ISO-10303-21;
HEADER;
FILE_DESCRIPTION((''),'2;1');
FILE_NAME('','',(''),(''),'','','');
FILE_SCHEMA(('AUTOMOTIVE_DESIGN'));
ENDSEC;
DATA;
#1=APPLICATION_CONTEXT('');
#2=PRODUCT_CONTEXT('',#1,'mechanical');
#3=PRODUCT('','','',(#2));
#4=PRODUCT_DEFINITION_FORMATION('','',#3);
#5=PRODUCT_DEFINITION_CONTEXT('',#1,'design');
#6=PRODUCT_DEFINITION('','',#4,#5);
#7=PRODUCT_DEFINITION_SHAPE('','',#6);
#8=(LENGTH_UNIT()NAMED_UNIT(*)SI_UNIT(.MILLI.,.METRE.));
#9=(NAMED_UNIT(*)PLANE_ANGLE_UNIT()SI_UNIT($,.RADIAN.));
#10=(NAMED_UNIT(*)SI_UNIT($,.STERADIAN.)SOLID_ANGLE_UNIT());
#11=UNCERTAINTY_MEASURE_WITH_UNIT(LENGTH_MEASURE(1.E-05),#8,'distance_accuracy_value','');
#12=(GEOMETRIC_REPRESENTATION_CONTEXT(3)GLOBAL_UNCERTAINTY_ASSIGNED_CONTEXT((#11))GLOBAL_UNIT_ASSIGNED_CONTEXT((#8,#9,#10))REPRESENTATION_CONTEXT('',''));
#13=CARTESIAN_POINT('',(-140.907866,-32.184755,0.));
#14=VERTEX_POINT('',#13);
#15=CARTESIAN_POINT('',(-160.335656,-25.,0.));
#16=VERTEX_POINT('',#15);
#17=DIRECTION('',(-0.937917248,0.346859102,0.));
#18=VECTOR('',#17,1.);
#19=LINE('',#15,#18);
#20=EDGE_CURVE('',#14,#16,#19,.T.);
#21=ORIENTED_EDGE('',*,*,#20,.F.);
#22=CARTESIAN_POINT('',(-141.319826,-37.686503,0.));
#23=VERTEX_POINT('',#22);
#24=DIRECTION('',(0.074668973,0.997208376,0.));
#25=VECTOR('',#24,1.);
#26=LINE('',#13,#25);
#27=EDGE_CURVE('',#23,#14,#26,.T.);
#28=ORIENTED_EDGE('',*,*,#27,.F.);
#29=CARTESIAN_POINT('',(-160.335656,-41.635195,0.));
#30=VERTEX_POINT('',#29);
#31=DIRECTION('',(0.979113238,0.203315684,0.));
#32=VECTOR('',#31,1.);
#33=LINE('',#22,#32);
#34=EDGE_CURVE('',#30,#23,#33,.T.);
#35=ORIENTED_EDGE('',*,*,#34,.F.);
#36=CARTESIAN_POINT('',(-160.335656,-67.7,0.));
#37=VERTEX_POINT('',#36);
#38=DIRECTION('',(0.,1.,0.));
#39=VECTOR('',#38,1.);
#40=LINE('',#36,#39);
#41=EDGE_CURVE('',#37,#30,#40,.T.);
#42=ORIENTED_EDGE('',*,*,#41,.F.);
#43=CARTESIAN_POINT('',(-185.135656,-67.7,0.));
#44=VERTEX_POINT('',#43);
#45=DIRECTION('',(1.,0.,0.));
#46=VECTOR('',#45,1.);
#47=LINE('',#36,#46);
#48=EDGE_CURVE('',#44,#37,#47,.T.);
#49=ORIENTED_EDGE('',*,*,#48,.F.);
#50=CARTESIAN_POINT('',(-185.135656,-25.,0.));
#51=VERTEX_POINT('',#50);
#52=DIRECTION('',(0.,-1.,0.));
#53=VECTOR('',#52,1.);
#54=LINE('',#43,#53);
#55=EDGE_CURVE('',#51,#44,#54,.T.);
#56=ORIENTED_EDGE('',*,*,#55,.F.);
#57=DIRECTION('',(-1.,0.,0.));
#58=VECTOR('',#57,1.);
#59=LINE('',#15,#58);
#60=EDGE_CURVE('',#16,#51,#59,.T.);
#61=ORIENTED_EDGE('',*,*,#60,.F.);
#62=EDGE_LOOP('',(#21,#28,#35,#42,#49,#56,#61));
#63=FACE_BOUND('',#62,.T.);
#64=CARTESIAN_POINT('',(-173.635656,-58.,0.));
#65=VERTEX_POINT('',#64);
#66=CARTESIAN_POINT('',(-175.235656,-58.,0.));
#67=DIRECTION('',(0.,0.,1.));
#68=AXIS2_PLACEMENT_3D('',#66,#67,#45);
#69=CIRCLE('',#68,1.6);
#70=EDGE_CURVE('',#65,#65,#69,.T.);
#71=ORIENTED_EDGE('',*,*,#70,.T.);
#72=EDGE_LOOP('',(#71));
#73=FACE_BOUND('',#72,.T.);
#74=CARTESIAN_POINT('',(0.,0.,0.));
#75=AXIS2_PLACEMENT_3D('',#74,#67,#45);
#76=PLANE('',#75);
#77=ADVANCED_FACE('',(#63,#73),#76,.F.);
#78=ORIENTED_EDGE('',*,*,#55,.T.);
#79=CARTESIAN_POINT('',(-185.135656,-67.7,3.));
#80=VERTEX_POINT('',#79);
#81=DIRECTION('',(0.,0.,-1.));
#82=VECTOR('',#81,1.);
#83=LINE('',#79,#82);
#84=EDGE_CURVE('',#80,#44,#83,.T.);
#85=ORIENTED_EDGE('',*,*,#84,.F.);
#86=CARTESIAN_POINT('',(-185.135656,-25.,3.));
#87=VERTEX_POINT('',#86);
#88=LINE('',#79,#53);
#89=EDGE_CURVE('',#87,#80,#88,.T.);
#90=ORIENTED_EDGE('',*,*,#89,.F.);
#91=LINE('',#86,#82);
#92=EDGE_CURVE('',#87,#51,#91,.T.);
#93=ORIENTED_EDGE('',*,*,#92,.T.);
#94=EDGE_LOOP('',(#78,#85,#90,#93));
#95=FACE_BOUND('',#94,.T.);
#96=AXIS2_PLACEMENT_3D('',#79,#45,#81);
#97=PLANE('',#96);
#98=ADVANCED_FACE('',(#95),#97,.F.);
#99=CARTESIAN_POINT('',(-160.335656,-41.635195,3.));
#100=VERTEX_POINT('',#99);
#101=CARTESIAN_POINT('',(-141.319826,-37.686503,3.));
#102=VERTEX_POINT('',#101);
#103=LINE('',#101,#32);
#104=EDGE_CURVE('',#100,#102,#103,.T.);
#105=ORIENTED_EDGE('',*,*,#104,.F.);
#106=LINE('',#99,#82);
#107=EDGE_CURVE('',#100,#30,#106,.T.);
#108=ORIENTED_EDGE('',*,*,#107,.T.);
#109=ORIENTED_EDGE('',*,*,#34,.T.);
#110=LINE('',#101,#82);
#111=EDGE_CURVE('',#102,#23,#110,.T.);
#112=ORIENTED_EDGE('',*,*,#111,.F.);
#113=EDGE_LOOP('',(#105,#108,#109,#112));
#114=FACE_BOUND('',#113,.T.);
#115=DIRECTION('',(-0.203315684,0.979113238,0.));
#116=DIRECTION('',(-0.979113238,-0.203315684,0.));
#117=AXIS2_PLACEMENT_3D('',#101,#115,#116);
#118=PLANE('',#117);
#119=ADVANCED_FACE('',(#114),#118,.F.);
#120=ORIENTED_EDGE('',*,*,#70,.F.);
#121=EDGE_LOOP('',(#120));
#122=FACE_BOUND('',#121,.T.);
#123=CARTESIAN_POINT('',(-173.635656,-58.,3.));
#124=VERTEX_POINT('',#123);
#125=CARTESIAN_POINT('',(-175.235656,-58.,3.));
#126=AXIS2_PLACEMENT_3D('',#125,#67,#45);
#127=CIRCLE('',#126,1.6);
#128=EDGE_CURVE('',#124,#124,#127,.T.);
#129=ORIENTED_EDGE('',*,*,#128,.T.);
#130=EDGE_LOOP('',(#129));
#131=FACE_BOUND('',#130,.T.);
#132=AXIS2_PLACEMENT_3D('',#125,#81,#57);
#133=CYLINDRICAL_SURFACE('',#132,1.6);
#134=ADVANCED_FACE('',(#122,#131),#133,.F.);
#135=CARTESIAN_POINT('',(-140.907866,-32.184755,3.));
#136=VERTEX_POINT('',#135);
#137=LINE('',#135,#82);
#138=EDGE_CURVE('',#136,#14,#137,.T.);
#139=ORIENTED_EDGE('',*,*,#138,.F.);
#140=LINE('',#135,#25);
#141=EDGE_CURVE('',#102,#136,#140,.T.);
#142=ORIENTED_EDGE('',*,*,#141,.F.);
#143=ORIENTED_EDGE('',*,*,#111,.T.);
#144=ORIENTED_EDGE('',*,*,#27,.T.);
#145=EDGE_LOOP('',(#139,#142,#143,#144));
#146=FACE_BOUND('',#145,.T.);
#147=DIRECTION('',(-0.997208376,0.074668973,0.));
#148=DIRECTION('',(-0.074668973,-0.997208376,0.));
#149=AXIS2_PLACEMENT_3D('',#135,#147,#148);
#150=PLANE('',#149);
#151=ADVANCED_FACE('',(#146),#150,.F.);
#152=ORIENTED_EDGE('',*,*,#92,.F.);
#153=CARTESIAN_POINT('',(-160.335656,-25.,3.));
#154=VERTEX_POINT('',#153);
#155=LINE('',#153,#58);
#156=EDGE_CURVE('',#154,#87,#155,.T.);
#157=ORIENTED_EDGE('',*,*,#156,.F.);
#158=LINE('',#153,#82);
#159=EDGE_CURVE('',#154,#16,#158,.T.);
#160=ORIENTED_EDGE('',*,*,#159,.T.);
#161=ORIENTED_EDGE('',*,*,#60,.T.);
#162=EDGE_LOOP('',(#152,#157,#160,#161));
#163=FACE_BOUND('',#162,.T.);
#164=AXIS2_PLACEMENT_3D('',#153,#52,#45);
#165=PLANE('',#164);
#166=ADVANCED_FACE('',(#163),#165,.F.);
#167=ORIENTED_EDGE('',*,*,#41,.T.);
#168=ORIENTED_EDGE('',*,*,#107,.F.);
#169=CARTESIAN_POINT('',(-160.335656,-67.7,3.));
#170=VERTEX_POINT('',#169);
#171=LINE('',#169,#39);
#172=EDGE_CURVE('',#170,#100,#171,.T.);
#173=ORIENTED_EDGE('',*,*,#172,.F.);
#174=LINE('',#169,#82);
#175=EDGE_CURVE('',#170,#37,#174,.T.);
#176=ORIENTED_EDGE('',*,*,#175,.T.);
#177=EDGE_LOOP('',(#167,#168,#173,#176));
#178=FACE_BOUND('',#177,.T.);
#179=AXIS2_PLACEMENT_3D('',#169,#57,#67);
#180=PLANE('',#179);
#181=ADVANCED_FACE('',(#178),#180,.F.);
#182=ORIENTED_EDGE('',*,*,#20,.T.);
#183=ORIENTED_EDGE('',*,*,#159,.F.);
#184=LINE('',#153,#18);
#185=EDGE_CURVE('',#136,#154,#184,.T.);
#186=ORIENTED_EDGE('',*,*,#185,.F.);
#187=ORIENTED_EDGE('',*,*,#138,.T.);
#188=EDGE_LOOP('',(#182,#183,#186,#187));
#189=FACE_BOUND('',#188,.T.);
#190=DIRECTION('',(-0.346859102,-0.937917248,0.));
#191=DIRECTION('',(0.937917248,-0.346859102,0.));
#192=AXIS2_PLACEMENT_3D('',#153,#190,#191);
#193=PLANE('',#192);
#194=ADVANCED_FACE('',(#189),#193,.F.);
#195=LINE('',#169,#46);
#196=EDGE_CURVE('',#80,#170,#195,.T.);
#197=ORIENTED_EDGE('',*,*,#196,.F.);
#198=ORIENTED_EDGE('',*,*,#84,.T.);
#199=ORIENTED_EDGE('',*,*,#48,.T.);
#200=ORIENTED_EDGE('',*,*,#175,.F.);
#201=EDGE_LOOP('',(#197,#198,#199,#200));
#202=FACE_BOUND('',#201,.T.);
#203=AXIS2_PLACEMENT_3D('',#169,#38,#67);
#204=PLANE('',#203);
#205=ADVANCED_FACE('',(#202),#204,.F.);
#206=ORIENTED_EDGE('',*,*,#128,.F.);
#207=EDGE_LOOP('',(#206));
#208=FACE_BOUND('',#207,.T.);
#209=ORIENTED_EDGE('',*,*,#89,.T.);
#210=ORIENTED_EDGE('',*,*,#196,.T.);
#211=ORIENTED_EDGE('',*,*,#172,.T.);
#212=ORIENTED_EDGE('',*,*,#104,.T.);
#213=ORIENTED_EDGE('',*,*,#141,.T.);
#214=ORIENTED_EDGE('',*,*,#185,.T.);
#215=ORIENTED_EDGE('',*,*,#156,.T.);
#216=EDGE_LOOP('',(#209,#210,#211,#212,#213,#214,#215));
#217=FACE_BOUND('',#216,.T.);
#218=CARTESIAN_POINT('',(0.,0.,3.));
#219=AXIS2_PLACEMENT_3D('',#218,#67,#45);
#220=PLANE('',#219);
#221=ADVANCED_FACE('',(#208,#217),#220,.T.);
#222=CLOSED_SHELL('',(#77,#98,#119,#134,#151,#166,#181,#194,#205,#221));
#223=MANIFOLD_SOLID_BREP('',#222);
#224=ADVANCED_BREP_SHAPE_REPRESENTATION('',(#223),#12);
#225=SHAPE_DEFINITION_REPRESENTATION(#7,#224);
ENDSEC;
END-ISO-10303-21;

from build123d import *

# Parameters (mm, degrees)
SKETCH1_R           = 1.6
BOSS_EXTRUDE1_DEPTH = 3


with BuildPart() as part:
    # Sketch1 → Boss-Extrude1 (new body)
    with BuildSketch(Plane.XY):
        Polygon((-160.335655897, -67.7), (-185.135655897, -67.7), (-185.135655897, -25), (-160.335655897, -25), (-140.907866476, -32.184754953), (-141.319826379, -37.686502812), (-160.335655897, -41.635194585), align=None)
        with Locations((-175.235655897, -58)):
            Circle(SKETCH1_R, mode=Mode.SUBTRACT)
    extrude(amount=BOSS_EXTRUDE1_DEPTH)


solid = part.part
